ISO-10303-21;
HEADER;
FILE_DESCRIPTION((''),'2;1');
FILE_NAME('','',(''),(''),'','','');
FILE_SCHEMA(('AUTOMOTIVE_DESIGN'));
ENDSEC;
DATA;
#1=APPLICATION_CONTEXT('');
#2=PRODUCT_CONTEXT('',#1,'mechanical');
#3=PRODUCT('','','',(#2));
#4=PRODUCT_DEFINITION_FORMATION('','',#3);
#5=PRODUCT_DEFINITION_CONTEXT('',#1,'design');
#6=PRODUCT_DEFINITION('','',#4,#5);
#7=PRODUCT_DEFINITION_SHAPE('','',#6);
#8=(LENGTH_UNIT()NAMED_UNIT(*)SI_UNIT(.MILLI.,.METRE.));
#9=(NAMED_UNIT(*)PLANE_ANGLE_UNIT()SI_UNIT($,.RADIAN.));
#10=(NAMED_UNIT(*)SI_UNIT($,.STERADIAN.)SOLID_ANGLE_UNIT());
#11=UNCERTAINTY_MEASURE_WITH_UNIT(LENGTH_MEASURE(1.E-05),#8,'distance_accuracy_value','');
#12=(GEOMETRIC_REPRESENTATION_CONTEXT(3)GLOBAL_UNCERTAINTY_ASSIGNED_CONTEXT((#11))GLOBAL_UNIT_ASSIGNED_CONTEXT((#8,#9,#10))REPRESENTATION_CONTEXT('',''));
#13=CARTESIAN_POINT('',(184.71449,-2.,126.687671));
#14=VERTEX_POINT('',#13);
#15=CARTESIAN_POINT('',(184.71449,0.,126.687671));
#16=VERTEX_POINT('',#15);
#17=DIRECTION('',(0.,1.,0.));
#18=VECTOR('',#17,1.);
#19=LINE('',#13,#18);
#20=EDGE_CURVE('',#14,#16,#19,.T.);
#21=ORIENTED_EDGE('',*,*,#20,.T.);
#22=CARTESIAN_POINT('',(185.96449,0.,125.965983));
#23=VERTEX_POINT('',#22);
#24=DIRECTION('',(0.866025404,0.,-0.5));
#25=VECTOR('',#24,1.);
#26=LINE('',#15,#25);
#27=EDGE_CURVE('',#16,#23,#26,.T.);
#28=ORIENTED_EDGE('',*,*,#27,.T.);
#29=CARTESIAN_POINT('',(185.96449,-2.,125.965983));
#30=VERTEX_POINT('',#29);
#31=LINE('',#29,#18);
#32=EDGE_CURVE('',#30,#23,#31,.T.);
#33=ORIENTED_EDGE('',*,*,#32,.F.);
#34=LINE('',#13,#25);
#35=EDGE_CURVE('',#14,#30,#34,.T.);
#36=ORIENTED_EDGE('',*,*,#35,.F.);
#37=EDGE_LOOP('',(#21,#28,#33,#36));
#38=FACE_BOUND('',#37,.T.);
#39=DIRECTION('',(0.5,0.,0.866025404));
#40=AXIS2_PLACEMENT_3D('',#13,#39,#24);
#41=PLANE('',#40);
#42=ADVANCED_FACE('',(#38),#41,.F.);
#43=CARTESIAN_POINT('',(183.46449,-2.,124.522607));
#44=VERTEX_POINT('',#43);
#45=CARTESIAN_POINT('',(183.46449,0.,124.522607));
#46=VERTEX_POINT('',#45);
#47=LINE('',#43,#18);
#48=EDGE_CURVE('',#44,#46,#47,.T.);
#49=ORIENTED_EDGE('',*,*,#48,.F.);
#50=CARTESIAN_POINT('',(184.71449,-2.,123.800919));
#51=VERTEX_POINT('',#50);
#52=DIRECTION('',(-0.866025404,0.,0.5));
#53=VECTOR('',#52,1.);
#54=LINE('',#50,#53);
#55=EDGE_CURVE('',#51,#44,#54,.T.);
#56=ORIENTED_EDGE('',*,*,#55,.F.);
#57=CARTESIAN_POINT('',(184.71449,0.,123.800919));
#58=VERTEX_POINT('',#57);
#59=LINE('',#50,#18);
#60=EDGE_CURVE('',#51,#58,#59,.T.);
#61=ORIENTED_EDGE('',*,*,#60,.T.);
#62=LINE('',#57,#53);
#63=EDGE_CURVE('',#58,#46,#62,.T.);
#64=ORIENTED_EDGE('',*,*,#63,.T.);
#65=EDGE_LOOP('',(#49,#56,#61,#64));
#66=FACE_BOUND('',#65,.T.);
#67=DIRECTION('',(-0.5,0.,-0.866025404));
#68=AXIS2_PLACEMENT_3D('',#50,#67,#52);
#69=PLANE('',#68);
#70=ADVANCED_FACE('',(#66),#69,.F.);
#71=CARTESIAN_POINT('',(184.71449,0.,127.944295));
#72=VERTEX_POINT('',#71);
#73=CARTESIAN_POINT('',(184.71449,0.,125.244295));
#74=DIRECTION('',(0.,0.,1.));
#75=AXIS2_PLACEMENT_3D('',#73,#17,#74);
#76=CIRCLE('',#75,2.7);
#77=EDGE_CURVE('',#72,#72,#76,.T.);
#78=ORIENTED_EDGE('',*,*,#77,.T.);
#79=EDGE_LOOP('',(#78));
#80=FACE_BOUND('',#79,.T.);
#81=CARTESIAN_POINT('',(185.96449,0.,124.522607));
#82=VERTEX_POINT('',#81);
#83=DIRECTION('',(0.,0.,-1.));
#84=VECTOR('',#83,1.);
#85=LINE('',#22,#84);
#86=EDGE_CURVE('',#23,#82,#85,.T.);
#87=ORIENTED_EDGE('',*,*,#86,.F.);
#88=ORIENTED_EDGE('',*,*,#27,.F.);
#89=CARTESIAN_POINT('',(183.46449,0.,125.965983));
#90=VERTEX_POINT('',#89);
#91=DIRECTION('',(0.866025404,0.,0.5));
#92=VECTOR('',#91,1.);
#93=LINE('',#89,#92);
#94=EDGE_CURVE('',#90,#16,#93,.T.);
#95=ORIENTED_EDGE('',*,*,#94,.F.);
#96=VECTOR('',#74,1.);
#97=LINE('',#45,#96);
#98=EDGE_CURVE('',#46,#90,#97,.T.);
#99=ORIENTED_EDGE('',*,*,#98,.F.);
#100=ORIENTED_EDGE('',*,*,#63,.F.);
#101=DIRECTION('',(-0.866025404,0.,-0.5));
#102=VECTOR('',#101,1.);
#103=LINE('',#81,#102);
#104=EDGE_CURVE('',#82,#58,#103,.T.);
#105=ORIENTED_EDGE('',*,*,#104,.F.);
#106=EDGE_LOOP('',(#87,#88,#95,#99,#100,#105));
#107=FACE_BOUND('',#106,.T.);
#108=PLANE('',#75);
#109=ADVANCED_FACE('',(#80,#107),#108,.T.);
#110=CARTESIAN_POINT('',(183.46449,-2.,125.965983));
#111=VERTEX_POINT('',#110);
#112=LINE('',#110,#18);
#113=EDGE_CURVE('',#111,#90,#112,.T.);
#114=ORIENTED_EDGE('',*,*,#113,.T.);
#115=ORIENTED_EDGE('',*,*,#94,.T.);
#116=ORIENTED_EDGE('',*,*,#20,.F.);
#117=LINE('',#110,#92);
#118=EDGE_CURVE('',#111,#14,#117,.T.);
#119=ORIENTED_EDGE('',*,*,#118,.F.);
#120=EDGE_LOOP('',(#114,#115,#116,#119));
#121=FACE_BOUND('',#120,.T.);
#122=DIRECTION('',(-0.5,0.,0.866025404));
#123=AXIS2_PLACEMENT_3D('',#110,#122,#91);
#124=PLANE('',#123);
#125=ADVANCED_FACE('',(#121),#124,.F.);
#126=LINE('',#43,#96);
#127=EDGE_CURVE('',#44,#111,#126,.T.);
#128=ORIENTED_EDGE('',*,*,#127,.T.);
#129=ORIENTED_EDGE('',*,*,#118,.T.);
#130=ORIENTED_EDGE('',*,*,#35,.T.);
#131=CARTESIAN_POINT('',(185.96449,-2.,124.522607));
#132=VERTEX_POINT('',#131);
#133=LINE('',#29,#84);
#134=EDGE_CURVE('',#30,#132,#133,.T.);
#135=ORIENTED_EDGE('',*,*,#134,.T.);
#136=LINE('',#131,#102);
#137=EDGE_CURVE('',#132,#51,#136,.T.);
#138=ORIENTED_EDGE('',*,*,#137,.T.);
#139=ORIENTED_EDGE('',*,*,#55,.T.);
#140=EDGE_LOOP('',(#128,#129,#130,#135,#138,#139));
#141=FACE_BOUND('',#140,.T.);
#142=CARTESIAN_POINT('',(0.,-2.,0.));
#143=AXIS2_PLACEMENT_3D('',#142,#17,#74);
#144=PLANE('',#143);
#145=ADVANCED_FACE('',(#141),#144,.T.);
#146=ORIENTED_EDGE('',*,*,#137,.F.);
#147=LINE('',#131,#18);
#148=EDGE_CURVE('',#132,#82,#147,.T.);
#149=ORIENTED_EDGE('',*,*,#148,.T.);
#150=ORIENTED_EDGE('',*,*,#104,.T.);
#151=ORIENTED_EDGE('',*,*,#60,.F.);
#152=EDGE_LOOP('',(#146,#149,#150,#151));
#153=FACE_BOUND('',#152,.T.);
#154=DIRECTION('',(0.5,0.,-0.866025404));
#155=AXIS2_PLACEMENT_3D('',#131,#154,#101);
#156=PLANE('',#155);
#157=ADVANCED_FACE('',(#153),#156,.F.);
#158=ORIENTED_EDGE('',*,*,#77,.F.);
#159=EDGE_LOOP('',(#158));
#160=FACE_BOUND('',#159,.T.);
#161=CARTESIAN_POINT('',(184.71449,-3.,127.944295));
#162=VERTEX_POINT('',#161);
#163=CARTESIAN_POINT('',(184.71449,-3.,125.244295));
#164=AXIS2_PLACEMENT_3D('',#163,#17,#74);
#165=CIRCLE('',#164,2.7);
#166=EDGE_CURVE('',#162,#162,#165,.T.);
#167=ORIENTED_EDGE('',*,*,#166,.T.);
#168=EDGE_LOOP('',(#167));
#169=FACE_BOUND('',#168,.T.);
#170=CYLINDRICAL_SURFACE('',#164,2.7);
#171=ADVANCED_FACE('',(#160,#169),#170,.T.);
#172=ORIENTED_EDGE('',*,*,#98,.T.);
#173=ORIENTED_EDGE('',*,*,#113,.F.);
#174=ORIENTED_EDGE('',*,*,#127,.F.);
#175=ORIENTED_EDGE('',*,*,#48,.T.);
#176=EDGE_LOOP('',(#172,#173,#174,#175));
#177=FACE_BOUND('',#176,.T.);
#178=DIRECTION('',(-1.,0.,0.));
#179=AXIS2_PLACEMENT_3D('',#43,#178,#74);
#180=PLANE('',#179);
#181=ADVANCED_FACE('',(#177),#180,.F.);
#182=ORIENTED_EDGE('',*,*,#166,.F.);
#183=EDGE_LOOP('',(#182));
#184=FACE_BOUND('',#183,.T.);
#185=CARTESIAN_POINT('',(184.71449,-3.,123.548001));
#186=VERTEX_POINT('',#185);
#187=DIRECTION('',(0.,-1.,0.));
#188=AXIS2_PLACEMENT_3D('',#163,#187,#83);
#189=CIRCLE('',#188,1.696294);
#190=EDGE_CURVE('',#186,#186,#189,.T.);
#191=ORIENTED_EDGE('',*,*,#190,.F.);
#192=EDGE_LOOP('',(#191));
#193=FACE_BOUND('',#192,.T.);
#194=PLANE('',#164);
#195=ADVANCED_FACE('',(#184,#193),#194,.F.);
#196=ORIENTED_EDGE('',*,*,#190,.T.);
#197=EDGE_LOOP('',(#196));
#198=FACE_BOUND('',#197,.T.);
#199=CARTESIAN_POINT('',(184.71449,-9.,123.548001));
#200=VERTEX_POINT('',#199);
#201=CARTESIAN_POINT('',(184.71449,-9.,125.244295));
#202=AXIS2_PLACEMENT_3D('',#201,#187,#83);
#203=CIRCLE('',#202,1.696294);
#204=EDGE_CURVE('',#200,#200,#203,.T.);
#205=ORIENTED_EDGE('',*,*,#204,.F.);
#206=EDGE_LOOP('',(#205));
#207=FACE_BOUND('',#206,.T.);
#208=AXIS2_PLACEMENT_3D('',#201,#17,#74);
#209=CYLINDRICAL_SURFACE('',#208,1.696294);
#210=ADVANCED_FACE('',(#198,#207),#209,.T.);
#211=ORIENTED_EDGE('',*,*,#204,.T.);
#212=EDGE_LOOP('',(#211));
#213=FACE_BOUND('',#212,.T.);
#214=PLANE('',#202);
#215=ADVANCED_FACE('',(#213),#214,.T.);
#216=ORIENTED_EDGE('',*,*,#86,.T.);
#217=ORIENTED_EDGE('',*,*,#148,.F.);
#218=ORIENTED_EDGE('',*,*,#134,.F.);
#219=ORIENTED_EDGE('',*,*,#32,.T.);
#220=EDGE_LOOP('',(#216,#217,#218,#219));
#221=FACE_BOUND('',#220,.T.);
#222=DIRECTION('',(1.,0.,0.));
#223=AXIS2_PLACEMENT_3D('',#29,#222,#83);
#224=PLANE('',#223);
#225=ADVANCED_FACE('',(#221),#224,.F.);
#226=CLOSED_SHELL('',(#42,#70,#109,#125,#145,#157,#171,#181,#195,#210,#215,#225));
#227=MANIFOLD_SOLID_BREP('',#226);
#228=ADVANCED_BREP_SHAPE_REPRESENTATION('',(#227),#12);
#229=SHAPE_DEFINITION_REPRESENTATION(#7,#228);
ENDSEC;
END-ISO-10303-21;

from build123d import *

# Parameters (mm, degrees)
SKETCH1_R           = 2.7
BOSS_EXTRUDE1_DEPTH = 3
SKETCH2_R           = 1.696293742
BOSS_EXTRUDE2_DEPTH = 6
CUT_EXTRUDE1_DEPTH  = 2


with BuildPart() as part:
    # Sketch1 → Boss-Extrude1 (new body)
    with BuildSketch(Plane(origin=(0, 0, 0), x_dir=(1, 0, 0), z_dir=(0, 1, 0))):
        with Locations((184.714490272, -125.24429514)):
            Circle(SKETCH1_R)
    extrude(amount=-BOSS_EXTRUDE1_DEPTH)

    # Sketch2 → Boss-Extrude2 (add)
    with BuildSketch(Plane.XZ.offset(3)):
        with Locations((184.714490272, 125.24429514)):
            Circle(SKETCH2_R)
    extrude(amount=BOSS_EXTRUDE2_DEPTH)

    # Sketch3 → Cut-Extrude1 (cut)
    with BuildSketch(Plane(origin=(0, 0, 0), x_dir=(1, 0, 0), z_dir=(0, 1, 0))):
        Polygon((184.714490272, -123.800919467), (183.464490272, -124.522607304), (183.464490272, -125.965982977), (184.714490272, -126.687670813), (185.964490272, -125.965982977), (185.964490272, -124.522607304), align=None)
    extrude(amount=-CUT_EXTRUDE1_DEPTH, mode=Mode.SUBTRACT)


solid = part.part
